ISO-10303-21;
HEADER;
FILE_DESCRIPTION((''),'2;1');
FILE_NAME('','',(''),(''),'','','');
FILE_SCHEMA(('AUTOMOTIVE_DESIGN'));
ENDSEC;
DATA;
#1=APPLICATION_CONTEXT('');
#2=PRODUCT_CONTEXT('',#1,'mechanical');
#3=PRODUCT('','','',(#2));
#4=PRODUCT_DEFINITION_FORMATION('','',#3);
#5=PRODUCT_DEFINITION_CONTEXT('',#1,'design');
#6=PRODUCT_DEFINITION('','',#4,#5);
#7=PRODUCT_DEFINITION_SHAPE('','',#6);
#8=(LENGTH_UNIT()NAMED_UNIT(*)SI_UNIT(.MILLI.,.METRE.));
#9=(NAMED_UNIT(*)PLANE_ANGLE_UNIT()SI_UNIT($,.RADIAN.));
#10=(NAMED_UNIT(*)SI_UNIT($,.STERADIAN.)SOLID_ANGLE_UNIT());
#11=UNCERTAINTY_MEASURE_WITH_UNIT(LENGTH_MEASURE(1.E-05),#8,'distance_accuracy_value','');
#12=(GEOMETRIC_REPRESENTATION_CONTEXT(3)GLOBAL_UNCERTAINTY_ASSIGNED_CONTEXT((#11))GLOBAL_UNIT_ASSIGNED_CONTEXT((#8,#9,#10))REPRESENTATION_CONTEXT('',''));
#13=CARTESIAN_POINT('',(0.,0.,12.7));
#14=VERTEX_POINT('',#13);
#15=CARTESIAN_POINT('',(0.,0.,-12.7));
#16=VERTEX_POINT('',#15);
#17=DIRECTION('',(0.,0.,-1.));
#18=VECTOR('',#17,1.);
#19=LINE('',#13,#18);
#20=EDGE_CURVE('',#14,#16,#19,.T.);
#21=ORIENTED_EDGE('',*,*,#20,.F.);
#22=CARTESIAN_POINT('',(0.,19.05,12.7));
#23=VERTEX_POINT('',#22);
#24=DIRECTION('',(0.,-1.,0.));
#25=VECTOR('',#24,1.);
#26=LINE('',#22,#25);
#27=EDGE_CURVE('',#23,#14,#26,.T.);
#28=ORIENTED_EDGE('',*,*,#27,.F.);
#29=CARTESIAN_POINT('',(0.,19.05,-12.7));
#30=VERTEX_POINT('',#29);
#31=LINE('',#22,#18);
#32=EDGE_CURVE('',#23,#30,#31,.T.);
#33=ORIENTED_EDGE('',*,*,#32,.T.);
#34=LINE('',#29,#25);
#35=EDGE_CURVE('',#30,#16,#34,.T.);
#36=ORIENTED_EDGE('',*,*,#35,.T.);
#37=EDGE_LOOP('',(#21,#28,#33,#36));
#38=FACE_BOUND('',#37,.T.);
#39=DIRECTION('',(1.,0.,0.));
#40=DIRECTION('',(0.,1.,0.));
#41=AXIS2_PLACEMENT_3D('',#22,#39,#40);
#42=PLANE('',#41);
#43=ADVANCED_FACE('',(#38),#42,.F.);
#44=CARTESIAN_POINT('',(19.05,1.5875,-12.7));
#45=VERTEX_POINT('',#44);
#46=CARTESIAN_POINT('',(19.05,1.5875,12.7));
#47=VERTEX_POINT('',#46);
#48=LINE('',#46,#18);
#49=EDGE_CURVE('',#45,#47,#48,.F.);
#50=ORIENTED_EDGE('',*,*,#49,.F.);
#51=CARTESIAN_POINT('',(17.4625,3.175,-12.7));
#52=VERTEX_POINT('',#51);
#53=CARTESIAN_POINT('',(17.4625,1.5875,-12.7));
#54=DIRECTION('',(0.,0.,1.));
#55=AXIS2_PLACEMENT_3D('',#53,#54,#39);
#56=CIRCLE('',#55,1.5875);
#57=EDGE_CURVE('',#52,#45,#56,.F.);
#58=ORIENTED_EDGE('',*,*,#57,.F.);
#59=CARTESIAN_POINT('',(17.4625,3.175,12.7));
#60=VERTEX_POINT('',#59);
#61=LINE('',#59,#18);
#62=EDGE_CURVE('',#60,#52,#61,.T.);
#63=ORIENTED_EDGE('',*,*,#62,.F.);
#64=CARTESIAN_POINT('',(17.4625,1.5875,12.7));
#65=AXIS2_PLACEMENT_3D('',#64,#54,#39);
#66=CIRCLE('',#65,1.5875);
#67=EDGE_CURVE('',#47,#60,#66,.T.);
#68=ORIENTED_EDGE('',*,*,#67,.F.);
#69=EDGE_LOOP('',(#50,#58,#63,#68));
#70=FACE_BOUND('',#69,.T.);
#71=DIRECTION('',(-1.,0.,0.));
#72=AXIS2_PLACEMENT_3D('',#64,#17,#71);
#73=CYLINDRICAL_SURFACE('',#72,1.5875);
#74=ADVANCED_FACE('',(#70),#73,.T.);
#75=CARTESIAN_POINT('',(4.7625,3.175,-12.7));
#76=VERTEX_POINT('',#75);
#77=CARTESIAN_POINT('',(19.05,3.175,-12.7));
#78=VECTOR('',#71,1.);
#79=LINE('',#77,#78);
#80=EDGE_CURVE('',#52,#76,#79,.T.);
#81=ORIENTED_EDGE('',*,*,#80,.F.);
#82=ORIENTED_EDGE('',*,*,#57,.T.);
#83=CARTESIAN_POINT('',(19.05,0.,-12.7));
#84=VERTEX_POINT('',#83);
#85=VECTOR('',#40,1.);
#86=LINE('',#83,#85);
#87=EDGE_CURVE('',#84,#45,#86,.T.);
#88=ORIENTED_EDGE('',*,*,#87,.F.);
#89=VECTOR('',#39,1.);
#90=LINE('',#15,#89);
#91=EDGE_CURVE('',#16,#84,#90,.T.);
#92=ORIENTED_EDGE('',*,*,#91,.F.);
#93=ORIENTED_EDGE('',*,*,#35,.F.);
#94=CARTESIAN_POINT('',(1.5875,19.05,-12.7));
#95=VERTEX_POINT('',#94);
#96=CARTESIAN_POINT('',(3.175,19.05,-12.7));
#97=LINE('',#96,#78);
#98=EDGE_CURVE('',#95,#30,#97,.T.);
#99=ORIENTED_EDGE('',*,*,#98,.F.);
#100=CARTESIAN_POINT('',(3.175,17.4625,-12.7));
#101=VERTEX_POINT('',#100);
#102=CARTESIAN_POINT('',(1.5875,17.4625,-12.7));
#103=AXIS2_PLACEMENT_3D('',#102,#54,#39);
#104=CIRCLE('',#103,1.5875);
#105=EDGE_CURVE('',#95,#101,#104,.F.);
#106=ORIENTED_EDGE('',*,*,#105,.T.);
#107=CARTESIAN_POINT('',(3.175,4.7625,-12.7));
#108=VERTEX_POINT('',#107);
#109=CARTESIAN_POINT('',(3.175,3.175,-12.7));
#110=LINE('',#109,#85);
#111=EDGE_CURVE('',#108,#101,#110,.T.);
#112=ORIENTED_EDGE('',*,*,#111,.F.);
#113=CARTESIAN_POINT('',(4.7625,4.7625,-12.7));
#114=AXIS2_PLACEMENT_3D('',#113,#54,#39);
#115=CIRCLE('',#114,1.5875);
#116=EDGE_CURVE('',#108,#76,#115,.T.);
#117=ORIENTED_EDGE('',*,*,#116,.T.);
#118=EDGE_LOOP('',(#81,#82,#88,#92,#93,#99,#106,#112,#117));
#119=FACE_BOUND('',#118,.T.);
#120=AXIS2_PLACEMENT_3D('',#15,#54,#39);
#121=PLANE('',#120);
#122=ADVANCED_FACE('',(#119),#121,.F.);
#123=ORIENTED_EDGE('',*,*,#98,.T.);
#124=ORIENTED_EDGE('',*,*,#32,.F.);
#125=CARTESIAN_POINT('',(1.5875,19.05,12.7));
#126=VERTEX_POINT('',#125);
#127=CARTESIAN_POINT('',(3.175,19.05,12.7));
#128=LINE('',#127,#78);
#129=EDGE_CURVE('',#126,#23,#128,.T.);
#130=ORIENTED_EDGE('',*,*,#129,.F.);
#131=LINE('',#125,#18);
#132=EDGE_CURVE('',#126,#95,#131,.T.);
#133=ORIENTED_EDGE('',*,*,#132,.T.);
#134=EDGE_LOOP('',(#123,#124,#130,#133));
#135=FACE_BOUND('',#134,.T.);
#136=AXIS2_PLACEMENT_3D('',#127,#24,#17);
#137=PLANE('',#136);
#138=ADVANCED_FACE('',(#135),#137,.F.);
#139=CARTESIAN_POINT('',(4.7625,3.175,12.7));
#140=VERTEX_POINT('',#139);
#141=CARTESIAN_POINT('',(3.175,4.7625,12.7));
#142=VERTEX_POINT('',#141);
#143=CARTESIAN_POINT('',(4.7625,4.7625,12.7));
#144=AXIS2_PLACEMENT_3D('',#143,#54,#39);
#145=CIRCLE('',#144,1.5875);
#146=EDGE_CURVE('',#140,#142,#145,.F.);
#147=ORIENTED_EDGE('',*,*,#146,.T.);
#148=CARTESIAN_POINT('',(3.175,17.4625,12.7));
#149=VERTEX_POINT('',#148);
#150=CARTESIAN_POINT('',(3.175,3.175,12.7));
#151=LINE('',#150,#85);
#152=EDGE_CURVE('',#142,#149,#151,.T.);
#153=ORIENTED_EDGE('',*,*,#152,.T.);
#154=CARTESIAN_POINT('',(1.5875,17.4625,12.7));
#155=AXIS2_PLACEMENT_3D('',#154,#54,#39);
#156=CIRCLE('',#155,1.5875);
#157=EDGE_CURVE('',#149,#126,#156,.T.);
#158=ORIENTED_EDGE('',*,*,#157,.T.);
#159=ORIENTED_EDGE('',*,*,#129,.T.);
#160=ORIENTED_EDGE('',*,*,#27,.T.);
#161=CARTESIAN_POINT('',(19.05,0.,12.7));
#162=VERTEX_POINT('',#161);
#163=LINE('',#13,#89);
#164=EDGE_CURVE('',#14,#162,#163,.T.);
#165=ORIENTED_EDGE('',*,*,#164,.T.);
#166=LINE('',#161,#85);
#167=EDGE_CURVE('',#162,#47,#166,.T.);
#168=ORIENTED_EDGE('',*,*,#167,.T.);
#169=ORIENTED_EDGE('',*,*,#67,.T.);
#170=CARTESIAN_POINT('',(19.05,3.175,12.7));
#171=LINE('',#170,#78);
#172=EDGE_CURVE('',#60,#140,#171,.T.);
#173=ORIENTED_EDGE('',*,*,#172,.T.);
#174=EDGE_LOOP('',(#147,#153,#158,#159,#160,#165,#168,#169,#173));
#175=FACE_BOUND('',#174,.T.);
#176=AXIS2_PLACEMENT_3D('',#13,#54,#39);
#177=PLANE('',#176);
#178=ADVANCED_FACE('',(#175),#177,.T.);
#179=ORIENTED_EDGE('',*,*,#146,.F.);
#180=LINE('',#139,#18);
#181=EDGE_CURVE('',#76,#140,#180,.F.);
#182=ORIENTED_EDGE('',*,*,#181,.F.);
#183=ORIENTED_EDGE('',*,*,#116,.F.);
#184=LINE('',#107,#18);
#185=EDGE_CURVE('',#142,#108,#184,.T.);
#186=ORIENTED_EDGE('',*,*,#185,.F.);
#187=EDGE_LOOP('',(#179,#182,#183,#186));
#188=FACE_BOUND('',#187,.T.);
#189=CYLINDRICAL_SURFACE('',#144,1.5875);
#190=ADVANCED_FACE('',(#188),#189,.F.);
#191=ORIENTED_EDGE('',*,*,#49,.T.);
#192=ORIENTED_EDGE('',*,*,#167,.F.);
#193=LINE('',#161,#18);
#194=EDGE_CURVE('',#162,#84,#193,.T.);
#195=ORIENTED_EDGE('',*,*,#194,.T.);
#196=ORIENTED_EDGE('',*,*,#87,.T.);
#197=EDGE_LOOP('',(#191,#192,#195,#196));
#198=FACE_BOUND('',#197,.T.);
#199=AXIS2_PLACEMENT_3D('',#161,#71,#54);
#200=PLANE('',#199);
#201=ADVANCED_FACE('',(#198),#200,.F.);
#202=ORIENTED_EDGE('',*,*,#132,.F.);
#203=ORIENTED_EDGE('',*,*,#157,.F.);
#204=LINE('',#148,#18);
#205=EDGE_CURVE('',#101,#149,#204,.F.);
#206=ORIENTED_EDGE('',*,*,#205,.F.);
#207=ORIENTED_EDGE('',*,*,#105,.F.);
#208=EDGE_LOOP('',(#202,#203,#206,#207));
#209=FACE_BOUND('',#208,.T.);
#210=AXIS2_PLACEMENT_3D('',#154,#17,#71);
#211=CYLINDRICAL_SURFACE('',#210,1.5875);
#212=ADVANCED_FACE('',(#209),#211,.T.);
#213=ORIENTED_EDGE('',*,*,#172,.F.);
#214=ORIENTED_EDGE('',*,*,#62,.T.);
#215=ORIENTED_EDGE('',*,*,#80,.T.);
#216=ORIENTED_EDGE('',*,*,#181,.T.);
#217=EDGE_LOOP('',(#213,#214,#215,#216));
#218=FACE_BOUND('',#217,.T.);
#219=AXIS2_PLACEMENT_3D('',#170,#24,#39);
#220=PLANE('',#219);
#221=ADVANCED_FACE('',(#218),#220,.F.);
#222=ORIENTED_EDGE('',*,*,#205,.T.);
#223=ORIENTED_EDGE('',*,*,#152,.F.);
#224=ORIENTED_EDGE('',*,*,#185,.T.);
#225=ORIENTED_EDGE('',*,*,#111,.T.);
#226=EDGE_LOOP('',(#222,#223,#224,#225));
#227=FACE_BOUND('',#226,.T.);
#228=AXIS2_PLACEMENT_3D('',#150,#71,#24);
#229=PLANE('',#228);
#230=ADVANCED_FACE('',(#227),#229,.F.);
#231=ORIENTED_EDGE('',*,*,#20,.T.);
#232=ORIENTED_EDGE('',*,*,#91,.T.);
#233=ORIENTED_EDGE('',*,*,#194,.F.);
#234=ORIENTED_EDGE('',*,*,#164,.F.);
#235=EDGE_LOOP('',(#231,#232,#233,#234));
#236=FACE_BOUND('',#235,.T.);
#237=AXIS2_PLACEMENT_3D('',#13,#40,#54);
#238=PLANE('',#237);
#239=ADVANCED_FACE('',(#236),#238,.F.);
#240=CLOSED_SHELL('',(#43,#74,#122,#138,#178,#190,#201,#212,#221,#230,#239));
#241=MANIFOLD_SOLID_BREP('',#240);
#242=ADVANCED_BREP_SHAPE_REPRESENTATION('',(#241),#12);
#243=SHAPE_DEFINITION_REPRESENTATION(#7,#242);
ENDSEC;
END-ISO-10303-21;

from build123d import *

# Parameters (mm, degrees)
BOSS_EXTRUDE1_DEPTH = 12.7
FILLET1_R           = 1.5875


with BuildPart() as part:
    # Sketch3 → Boss-Extrude1 (new, symmetric)
    with BuildSketch(Plane.XY):
        Polygon((3.175, 19.05), (0, 19.05), (0, 0), (19.05, 0), (19.05, 3.175), (3.175, 3.175), align=None)
    extrude(amount=BOSS_EXTRUDE1_DEPTH, both=True)

    # Fillet1
    fillet1_edges = [part.edges().sort_by_distance(p)[0] for p in [
        (3.175, 3.175, 0),
        (19.05, 3.175, 0),
        (3.175, 19.05, 0),
    ]]
    fillet(fillet1_edges, radius=FILLET1_R)


solid = part.part
